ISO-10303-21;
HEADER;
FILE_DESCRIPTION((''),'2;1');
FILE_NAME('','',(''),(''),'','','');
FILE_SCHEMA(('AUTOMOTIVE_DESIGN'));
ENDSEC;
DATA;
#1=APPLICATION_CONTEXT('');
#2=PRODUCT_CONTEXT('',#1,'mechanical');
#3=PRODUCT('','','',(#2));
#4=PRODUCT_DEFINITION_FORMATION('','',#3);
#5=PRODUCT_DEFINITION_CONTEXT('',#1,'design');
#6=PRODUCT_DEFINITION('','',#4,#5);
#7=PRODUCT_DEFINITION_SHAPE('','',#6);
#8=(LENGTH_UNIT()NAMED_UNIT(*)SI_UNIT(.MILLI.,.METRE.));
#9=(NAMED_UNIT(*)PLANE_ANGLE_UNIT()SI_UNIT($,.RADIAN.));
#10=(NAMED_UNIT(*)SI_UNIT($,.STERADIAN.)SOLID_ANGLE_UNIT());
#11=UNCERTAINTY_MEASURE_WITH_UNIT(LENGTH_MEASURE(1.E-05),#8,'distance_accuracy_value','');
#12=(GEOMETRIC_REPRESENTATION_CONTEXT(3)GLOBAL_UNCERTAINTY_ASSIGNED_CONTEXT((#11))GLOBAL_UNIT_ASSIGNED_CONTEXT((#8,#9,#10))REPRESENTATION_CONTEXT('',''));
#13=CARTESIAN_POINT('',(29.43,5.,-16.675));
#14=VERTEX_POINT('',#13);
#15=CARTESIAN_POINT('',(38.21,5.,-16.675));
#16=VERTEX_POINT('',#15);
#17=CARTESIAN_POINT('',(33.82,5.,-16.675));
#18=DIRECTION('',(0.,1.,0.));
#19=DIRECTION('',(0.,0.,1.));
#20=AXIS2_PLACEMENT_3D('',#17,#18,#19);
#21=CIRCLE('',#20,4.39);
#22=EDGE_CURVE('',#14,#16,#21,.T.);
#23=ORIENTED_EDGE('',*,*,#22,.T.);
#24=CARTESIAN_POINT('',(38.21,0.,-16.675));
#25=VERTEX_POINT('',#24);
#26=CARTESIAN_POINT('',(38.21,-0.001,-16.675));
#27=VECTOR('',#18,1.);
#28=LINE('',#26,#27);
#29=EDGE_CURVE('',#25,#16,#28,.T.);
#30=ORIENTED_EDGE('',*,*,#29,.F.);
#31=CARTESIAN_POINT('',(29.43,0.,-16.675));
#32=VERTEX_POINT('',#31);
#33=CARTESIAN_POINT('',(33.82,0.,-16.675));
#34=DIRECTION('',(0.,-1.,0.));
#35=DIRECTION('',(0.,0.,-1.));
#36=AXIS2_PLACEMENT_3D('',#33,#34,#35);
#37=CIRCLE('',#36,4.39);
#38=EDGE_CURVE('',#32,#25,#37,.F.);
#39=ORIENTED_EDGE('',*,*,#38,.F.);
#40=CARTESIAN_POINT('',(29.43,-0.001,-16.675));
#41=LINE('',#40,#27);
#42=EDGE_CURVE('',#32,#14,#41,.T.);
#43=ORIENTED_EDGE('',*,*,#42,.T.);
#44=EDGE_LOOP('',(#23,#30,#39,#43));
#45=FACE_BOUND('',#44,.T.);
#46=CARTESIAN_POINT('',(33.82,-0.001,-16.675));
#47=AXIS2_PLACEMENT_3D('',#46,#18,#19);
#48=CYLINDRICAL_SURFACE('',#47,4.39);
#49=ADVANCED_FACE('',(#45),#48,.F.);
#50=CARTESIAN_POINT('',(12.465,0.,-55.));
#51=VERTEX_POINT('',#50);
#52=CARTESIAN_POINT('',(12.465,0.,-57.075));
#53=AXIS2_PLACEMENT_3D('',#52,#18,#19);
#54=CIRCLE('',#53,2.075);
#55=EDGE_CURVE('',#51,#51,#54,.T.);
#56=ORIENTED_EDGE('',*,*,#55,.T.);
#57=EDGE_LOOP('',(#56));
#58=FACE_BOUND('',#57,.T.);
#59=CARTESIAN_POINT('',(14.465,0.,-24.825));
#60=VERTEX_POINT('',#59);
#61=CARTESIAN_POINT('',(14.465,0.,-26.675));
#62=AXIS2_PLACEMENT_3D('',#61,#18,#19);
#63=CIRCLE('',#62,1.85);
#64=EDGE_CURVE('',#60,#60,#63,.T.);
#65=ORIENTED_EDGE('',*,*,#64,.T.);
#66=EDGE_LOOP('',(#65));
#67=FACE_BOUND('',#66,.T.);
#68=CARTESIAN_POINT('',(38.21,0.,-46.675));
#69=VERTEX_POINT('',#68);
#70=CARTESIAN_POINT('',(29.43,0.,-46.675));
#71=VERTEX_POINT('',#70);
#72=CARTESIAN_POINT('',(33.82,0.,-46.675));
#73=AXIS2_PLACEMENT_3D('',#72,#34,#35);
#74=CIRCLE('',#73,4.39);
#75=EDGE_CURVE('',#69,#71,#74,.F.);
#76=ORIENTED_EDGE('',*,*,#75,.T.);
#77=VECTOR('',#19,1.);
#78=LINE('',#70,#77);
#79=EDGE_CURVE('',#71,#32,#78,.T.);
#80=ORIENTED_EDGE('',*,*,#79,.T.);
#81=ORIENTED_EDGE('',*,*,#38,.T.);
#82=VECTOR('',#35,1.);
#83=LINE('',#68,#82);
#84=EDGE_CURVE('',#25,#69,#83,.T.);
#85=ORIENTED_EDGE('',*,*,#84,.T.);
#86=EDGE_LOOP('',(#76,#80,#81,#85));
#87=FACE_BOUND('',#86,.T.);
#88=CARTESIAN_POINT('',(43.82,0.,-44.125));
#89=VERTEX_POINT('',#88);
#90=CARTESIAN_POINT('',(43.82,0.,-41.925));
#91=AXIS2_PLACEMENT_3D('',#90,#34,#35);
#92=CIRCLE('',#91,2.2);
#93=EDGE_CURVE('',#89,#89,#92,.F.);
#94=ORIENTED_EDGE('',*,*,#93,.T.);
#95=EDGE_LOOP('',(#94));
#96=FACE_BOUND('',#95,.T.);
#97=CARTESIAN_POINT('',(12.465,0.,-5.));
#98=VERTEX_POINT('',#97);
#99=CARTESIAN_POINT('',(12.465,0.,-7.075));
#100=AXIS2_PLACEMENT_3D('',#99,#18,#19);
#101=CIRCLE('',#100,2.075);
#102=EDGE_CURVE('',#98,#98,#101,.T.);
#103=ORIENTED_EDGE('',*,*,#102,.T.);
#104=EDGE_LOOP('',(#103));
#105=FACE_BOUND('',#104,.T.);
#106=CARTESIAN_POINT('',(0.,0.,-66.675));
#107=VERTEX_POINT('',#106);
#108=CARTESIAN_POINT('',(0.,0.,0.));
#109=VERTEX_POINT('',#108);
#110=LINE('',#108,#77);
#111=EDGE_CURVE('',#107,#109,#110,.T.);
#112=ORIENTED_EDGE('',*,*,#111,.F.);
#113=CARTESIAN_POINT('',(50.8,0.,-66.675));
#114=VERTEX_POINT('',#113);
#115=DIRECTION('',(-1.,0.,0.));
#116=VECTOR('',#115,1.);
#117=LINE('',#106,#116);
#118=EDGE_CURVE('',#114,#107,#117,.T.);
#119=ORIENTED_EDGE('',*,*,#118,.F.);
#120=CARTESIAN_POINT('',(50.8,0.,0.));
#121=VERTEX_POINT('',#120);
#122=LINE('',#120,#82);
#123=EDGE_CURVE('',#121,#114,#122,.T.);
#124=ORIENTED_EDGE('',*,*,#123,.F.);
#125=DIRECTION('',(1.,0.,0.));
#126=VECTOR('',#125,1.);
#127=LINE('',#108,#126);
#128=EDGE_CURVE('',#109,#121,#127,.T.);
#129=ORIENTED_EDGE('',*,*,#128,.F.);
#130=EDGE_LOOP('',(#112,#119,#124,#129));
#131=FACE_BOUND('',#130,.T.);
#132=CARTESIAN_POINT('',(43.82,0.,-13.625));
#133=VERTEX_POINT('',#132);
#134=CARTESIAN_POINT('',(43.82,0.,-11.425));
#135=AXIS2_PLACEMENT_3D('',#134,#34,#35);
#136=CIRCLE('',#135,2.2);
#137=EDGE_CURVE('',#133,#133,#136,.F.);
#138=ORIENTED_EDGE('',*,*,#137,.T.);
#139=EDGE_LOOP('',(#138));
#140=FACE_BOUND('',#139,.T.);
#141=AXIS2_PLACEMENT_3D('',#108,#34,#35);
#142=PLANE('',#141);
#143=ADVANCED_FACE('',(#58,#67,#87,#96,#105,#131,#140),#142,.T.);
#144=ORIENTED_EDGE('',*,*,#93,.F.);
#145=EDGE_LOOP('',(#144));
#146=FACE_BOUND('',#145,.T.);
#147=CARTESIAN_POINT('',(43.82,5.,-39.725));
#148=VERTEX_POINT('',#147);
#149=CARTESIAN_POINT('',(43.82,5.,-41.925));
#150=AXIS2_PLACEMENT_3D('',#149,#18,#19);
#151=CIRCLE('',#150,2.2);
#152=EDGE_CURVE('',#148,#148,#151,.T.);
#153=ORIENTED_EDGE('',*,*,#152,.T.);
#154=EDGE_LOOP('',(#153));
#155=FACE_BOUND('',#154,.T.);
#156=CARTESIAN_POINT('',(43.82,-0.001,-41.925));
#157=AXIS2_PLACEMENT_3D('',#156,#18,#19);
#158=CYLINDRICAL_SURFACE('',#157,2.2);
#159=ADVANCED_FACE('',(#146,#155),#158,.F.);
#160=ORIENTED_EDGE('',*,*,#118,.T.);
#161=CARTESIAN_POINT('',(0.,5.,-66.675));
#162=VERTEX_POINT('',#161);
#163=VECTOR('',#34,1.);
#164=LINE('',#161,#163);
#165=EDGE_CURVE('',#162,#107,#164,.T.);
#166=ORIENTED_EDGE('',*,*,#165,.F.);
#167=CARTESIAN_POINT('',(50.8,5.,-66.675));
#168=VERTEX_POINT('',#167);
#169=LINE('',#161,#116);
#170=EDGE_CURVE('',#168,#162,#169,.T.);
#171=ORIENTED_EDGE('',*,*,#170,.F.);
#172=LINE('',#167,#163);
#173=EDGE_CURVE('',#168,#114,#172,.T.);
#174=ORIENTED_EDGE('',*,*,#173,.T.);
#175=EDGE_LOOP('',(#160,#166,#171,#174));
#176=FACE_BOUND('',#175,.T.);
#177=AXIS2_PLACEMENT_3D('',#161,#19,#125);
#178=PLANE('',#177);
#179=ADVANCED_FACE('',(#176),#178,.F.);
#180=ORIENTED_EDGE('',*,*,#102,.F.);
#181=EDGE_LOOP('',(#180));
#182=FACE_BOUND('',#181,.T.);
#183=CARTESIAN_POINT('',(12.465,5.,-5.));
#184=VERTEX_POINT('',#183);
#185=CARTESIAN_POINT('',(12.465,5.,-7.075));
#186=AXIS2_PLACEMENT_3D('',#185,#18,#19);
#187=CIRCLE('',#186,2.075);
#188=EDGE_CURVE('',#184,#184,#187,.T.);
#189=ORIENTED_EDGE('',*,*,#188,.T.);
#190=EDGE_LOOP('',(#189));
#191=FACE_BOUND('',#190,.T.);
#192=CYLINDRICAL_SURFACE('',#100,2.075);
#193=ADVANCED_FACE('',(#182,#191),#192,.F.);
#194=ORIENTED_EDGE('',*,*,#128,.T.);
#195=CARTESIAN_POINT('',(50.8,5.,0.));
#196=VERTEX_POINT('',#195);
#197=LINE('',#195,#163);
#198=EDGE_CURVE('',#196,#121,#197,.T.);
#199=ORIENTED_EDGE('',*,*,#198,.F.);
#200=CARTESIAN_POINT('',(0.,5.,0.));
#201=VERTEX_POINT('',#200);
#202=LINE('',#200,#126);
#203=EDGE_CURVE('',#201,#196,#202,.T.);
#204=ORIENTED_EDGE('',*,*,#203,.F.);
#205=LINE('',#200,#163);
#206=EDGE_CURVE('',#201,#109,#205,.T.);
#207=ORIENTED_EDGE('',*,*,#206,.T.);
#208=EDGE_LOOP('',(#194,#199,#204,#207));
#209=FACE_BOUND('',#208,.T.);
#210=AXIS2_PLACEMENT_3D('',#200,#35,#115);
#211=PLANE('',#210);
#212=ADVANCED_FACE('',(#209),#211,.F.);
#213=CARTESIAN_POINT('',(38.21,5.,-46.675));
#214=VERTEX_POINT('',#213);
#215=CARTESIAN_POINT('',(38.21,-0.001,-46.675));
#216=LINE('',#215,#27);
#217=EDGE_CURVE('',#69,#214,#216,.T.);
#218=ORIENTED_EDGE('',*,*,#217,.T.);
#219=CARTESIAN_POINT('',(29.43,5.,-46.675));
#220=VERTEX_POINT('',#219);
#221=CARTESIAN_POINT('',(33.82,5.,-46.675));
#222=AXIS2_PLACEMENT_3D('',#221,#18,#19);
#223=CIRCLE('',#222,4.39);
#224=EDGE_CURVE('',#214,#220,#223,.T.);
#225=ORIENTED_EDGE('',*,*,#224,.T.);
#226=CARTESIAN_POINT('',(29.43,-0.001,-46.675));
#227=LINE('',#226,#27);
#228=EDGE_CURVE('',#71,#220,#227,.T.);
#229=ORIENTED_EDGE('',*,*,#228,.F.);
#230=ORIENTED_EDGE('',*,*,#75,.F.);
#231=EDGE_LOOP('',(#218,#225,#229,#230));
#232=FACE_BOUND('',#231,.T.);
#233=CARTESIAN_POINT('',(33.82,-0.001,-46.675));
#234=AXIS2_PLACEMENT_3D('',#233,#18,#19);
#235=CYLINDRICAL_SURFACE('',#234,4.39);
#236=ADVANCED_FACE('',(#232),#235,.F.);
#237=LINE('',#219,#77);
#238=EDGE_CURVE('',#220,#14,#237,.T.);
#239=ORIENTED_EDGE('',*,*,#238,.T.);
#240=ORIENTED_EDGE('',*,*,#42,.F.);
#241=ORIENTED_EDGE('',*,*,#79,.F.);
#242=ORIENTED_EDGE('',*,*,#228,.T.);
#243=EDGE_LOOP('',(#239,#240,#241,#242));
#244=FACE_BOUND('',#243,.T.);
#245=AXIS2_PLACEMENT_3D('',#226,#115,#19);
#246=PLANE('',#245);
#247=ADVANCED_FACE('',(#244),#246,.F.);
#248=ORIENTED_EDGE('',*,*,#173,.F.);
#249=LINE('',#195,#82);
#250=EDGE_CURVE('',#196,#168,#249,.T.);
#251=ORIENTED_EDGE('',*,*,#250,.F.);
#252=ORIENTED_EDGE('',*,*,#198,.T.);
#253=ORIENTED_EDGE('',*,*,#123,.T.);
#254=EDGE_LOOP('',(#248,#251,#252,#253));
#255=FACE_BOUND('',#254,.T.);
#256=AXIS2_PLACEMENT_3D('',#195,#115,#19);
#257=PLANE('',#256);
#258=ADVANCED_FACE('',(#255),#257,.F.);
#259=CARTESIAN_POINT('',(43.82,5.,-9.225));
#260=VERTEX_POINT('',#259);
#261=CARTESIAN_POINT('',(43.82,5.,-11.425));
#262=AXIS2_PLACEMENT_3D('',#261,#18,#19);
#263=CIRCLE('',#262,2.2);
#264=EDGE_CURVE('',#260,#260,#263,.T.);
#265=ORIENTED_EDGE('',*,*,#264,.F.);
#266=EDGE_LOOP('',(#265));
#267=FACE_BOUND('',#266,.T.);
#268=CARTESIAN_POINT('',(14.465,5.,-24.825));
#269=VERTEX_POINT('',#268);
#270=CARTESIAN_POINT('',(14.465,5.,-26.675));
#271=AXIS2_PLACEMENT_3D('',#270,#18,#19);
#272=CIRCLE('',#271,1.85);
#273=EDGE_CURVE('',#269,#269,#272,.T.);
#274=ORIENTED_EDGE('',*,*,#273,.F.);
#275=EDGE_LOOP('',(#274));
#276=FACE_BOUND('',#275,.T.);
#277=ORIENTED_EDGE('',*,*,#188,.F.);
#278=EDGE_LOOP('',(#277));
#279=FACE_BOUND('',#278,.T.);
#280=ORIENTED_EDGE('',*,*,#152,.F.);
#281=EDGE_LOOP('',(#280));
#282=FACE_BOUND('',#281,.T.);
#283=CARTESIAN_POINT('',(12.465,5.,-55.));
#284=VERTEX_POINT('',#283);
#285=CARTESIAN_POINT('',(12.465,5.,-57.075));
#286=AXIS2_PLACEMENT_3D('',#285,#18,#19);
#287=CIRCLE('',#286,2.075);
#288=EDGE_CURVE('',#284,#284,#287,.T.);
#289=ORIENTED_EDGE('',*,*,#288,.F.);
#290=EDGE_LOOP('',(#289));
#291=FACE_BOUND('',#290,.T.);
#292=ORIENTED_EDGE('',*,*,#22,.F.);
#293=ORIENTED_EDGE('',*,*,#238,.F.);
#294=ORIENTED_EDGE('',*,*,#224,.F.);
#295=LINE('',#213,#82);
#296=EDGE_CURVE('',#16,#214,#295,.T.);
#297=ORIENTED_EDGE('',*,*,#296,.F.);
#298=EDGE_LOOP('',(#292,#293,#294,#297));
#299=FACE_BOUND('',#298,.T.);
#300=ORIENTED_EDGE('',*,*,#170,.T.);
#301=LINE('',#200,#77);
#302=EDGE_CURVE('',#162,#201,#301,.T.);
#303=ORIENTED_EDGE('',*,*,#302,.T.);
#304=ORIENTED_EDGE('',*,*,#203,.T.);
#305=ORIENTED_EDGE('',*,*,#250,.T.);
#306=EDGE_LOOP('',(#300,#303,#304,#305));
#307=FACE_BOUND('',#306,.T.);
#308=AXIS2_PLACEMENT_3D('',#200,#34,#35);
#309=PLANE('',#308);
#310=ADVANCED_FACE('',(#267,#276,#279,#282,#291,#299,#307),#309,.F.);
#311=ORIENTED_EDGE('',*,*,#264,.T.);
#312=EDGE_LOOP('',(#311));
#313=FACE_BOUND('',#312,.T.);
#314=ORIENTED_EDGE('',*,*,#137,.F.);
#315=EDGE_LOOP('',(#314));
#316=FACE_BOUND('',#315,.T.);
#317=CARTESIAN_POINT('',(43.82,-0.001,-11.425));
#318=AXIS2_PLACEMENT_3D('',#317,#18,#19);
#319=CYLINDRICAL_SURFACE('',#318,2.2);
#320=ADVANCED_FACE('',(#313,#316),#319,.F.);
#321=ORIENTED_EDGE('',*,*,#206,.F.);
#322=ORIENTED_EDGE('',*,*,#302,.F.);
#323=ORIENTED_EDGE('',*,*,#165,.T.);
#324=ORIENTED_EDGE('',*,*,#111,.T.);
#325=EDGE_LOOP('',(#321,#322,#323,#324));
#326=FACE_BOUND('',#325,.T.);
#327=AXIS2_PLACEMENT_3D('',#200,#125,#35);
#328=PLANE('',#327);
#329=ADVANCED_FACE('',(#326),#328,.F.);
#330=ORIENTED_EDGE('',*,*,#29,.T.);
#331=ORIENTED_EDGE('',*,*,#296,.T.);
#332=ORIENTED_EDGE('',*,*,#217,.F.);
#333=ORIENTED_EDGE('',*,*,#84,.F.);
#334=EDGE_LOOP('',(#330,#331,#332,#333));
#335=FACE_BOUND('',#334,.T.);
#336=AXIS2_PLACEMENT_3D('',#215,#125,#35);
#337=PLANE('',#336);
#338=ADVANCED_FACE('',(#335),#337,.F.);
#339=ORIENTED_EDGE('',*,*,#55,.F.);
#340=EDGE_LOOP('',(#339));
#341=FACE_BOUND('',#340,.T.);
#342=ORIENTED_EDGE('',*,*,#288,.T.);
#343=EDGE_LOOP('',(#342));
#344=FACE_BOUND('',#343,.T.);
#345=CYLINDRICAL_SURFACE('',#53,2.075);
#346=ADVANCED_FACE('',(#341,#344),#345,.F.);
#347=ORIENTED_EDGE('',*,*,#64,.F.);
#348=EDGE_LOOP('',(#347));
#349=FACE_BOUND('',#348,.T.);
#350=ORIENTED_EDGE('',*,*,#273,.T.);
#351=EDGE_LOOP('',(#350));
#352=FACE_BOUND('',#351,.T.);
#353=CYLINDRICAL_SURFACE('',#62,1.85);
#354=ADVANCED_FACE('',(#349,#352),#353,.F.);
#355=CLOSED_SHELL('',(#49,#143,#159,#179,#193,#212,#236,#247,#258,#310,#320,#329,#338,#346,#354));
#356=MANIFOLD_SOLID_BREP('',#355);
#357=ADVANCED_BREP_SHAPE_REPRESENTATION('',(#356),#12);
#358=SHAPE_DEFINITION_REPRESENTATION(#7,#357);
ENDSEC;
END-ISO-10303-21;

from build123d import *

# Parameters (mm, degrees)
SKETCH1_W           = 50.8
SKETCH1_H           = 66.675
BOSS_EXTRUDE1_DEPTH = 5
SKETCH2_R           = 2.075
SKETCH2_R_2         = 1.85
CUT_EXTRUDE1_DEPTH  = 6
CUT_EXTRUDE2_REACH  = 7
SKETCH3_R           = 2.2
CUT_EXTRUDE3_REACH  = 7


with BuildPart() as part:
    # Sketch1 → Boss-Extrude1 (new body)
    with BuildSketch(Plane(origin=(0, 0, 0), x_dir=(1, 0, 0), z_dir=(0, 1, 0))):
        with Locations((25.4, 33.3375)):
            Rectangle(SKETCH1_W, SKETCH1_H)
    extrude(amount=BOSS_EXTRUDE1_DEPTH)

    # Sketch2 → Cut-Extrude1 (cut, through all)
    with BuildSketch(Plane(origin=(0, 5, 0), x_dir=(1, 0, 0), z_dir=(0, 1, 0))):
        with Locations(Location((12.465, 57.075, 0), (0, 0, 270))):  # turned: the seam where the file's is
            Circle(SKETCH2_R)
        with Locations(Location((12.465, 7.075, 0), (0, 0, 270))):  # turned: the seam where the file's is
            Circle(SKETCH2_R)
        with Locations(Location((14.465, 26.675, 0), (0, 0, 270))):  # turned: the seam where the file's is
            Circle(SKETCH2_R_2)
    extrude(amount=-CUT_EXTRUDE1_DEPTH, mode=Mode.SUBTRACT)

    # Sketch3 → Cut-Extrude2 (cut, up to next)
    with BuildSketch(Plane(origin=(0, 5, 0), x_dir=(1, 0, 0), z_dir=(0, 1, 0)), mode=Mode.PRIVATE) as cut_extrude2_sk1:
        with Locations(Location((43.82, 41.925, 0), (0, 0, 270))):  # turned: the seam where the file's is
            Circle(SKETCH3_R)
    cut_extrude2_tool1 = extrude(cut_extrude2_sk1.sketch, amount=-CUT_EXTRUDE2_REACH, mode=Mode.PRIVATE) & part.part
    add(cut_extrude2_tool1.solids().sort_by_distance((43.82, 5, -41.925))[0], mode=Mode.SUBTRACT)
    # Sketch3 → Cut-Extrude2 (cut, up to next)
    with BuildSketch(Plane(origin=(0, 5, 0), x_dir=(1, 0, 0), z_dir=(0, 1, 0)), mode=Mode.PRIVATE) as cut_extrude2_sk2:
        with Locations(Location((43.82, 11.425, 0), (0, 0, 270))):  # turned: the seam where the file's is
            Circle(SKETCH3_R)
    cut_extrude2_tool2 = extrude(cut_extrude2_sk2.sketch, amount=-CUT_EXTRUDE2_REACH, mode=Mode.PRIVATE) & part.part
    add(cut_extrude2_tool2.solids().sort_by_distance((43.82, 5, -11.425))[0], mode=Mode.SUBTRACT)

    # Sketch4 → Cut-Extrude3 (cut, up to next)
    with BuildSketch(Plane(origin=(0, 5, 0), x_dir=(1, 0, 0), z_dir=(0, 1, 0)), mode=Mode.PRIVATE) as cut_extrude3_sk1:
        with BuildLine():
            Line((38.21, 46.675), (38.21, 16.675))
            ThreePointArc((38.21, 16.675), (33.82, 12.285), (29.43, 16.675))
            Line((29.43, 16.675), (29.43, 46.675))
            ThreePointArc((29.43, 46.675), (33.82, 51.065), (38.21, 46.675))
        make_face()
    cut_extrude3_tool1 = extrude(cut_extrude3_sk1.sketch, amount=-CUT_EXTRUDE3_REACH, mode=Mode.PRIVATE) & part.part
    add(cut_extrude3_tool1.solids().sort_by_distance((33.82, 5, -31.675))[0], mode=Mode.SUBTRACT)


solid = part.part
